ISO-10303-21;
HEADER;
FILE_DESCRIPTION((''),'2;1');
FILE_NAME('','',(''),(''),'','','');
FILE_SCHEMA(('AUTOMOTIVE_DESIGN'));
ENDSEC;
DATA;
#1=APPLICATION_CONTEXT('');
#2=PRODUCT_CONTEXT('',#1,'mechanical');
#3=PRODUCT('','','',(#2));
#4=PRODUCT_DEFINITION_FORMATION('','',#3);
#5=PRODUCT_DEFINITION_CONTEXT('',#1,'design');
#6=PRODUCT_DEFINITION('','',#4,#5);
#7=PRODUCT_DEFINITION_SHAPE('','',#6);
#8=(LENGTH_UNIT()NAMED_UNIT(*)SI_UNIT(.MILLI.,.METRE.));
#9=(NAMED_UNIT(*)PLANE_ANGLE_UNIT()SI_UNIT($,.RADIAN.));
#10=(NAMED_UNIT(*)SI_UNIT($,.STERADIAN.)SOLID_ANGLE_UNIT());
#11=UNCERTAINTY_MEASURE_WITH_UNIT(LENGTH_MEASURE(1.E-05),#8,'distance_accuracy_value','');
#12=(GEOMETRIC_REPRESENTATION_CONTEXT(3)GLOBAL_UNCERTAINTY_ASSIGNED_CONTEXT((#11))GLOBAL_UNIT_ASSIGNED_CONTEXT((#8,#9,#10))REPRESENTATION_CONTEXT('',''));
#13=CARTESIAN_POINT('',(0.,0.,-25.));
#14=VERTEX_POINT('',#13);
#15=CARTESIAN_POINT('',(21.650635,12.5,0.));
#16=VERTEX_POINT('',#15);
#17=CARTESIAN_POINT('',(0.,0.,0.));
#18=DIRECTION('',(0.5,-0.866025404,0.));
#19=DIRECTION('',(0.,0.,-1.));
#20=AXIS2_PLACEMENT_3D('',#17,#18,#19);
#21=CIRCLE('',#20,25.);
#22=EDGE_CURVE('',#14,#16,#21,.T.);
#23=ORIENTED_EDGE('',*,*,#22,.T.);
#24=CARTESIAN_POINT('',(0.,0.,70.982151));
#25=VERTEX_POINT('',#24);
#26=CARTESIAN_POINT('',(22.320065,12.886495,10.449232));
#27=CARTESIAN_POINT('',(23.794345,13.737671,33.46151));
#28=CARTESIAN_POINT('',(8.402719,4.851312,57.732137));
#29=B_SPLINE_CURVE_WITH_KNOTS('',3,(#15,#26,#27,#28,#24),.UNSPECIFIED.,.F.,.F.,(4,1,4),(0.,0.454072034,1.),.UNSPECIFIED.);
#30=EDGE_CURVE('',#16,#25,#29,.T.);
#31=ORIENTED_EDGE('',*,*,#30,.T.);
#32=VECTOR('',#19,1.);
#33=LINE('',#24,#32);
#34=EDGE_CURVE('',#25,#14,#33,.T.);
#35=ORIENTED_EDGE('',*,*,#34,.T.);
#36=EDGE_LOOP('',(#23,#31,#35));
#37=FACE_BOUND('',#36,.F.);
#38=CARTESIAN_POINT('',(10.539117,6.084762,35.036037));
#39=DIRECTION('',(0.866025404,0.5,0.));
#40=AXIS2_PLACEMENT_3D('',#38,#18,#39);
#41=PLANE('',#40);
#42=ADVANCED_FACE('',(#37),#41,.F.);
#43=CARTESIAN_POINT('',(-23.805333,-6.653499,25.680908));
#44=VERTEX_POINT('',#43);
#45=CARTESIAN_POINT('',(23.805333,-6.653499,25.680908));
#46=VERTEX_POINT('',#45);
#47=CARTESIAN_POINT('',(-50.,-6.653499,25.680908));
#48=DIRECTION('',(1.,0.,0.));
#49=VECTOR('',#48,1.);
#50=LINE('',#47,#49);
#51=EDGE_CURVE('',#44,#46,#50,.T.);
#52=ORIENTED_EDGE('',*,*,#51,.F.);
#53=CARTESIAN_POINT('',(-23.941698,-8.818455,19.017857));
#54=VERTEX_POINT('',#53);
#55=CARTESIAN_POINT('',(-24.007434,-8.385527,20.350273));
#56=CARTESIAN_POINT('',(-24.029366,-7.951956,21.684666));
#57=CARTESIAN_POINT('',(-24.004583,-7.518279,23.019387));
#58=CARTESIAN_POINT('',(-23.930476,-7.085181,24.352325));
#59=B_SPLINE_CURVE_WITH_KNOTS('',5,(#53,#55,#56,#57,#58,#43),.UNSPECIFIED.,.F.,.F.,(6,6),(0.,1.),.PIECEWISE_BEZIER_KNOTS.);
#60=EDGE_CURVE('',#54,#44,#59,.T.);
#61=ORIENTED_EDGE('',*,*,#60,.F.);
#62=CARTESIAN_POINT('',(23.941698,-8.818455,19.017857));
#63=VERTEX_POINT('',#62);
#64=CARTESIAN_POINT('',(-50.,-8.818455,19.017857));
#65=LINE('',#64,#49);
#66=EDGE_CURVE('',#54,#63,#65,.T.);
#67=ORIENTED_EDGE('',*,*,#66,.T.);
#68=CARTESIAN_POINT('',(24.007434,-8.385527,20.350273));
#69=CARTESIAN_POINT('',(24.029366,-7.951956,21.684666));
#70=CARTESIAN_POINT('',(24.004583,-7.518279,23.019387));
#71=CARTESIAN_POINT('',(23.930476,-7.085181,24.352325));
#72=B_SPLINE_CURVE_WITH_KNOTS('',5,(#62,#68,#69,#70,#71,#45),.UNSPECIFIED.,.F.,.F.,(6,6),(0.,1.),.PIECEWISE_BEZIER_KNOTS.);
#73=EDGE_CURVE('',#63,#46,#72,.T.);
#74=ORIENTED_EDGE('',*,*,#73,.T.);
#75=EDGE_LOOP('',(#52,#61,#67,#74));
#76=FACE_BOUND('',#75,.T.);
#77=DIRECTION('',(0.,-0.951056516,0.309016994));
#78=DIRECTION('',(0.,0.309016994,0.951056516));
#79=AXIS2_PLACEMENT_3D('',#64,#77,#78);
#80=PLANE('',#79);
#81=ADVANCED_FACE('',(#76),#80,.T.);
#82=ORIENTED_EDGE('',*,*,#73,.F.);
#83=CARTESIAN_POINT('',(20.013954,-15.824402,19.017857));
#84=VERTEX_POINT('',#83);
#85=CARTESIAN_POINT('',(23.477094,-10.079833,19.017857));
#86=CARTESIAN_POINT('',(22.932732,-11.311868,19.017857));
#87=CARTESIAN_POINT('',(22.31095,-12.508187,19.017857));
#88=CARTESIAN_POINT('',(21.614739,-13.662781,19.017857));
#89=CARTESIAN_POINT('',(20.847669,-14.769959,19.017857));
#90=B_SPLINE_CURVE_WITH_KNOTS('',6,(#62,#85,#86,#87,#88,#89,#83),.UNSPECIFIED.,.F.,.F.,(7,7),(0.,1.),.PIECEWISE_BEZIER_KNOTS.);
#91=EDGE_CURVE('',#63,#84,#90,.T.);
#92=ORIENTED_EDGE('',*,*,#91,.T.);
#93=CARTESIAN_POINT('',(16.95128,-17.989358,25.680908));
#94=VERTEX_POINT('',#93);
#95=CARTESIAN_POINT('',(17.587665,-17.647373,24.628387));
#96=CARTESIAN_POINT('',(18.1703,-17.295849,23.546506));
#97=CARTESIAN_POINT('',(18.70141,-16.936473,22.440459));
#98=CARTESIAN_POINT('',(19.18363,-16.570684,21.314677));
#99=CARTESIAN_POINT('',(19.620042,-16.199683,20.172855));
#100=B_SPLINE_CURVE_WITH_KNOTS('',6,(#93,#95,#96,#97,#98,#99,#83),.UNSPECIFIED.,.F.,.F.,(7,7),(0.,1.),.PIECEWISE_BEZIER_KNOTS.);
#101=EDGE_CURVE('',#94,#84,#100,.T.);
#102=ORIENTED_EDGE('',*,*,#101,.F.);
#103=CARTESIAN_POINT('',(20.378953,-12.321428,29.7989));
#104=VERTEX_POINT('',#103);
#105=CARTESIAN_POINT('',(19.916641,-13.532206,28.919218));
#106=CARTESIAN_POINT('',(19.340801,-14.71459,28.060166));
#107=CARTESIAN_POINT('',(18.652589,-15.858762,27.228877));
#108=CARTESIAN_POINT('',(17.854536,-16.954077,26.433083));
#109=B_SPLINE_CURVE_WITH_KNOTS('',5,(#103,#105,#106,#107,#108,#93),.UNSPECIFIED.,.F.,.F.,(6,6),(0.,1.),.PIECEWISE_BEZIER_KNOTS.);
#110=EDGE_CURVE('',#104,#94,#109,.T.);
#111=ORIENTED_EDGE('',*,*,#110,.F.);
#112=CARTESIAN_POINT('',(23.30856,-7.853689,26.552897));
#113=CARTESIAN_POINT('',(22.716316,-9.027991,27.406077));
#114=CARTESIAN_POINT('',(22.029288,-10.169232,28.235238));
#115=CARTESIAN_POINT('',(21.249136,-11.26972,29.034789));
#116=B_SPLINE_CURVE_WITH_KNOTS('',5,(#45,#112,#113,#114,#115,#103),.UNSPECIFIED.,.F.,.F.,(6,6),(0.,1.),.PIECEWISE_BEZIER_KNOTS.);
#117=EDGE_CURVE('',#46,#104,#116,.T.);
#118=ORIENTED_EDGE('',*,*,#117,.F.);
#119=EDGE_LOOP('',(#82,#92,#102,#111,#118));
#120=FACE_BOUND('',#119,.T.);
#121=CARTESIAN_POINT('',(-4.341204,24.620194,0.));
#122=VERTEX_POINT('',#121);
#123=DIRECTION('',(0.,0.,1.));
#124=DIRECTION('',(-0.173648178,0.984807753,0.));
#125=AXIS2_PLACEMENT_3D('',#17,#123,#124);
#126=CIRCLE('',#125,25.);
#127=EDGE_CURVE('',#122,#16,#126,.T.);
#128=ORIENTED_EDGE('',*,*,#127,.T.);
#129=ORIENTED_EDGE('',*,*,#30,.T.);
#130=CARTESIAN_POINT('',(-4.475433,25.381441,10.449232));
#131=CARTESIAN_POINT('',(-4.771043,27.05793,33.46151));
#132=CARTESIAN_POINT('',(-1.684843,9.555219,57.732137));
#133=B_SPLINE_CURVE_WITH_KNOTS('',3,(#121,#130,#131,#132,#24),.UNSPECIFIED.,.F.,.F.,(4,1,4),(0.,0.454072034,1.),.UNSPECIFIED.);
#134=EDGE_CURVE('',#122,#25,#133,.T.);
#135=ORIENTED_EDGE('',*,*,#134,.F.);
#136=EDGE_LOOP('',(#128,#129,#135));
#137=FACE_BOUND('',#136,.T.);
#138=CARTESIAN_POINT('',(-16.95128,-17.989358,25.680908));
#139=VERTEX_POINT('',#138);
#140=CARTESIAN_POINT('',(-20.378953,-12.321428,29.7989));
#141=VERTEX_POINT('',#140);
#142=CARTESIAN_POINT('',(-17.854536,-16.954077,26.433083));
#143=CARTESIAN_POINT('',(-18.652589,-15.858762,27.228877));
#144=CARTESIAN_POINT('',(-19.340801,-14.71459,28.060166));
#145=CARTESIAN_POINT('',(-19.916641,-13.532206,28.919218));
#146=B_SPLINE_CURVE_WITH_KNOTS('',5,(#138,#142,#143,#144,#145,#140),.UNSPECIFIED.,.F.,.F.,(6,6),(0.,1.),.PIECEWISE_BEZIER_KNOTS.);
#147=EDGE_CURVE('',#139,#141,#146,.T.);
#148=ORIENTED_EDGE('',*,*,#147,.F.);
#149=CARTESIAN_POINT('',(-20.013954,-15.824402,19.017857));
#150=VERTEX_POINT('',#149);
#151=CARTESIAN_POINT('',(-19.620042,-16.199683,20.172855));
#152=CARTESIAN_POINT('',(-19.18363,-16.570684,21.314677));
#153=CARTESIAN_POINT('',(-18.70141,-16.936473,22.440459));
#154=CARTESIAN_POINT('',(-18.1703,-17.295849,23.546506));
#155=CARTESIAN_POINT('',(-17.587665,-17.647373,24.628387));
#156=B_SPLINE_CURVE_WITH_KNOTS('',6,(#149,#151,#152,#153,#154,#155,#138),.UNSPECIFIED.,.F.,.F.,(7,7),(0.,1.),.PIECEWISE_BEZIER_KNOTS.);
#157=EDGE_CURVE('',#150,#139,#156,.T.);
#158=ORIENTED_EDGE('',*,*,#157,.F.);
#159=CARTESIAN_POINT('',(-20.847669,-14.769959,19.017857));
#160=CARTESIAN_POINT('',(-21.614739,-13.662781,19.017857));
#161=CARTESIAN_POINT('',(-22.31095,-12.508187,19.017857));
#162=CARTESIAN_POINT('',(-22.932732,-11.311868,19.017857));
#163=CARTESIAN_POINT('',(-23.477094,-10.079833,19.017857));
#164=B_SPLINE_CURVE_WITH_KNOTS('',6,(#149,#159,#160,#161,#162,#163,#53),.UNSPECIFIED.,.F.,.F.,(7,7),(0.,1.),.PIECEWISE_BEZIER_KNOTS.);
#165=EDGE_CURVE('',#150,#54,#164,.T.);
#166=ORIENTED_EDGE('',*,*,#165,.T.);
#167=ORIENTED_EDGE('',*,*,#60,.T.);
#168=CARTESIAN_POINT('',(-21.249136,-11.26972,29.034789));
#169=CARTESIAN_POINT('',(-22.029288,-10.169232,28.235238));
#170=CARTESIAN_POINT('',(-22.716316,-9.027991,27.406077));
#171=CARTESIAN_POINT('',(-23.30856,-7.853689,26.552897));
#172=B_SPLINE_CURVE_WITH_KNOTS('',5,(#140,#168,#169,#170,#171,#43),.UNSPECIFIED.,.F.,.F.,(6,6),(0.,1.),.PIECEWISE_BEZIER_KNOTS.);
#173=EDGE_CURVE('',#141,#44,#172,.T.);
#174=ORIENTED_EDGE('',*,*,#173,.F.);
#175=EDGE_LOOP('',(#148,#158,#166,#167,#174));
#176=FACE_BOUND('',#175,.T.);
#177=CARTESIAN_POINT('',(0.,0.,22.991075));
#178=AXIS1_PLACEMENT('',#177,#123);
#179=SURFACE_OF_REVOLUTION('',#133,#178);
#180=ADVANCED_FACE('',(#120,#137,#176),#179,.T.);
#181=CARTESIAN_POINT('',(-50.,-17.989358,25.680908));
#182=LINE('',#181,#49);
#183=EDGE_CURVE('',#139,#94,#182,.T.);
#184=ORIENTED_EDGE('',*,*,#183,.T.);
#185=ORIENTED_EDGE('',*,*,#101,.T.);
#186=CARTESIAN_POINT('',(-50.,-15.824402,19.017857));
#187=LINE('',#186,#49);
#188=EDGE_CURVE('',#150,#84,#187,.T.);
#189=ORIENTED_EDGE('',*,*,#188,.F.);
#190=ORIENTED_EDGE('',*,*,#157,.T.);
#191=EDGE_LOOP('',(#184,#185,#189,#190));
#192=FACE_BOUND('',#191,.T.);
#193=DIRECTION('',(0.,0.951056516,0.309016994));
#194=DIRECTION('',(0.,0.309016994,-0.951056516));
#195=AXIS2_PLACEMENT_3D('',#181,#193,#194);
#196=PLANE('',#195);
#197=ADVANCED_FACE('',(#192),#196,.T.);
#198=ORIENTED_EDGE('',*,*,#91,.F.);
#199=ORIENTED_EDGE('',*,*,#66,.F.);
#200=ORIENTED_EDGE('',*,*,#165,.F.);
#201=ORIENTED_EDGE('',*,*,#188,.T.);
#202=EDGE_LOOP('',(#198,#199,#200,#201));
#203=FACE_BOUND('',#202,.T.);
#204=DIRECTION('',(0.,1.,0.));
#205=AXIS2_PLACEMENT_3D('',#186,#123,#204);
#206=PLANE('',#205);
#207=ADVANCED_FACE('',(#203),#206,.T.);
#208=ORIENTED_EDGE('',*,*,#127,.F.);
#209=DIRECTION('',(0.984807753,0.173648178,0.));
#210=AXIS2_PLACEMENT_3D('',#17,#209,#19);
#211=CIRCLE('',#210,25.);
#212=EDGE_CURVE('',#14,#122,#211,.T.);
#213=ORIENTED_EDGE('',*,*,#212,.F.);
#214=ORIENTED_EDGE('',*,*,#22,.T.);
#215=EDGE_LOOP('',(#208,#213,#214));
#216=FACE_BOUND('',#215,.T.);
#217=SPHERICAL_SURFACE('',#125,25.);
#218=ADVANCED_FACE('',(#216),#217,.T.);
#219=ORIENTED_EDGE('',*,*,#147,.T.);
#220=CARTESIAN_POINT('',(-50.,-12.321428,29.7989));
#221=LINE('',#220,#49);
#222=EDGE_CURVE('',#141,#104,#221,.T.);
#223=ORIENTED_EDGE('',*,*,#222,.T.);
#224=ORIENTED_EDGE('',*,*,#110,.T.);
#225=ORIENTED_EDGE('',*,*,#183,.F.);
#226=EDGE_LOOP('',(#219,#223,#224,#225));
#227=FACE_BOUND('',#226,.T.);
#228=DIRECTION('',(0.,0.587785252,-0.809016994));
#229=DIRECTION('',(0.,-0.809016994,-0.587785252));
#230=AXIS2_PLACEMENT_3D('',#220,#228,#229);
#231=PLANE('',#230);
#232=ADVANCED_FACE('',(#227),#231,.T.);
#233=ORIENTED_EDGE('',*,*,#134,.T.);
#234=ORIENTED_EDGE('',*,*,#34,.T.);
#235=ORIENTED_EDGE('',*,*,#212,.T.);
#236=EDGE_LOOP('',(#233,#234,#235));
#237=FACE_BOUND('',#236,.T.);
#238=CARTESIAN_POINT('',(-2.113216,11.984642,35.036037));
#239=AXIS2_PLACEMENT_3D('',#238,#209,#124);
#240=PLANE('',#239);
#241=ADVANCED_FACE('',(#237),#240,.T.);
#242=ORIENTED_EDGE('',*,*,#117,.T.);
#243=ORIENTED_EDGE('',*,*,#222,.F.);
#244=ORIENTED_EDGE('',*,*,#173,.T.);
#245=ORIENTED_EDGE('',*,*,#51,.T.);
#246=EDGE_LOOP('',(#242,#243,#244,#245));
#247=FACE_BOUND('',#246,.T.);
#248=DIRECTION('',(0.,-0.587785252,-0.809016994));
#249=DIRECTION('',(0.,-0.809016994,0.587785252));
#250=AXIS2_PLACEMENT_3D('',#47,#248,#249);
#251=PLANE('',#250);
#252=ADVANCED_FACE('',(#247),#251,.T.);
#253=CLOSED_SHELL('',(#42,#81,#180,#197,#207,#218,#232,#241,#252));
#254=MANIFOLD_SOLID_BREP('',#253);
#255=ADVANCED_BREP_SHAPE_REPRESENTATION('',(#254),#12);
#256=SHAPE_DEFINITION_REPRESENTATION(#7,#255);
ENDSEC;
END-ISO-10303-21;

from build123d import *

# Parameters (mm, degrees)
F1_ANGLE_BACK = 260
F1_ANGLE      = 290
F4_DEPTH      = 80


with BuildPart() as f1:
    # F0 (on Front) → F1 (revolve)
    with BuildSketch(Plane.XZ, mode=Mode.PRIVATE) as f1_sk:
        with BuildLine():
            Line((0, 70.9821507335), (0, 25))
            ThreePointArc((0, 25), (17.6776695297, 17.6776695297), (25, 0))
            add(Edge.make_bspline(
                [(25, 0), (25.7729905135, 10.449231781), (27.4753426857, 33.4615095623), (9.7026241041, 57.7321366539), (0, 70.9821507335)],
                knots=[0, 0, 0, 0, 0.4540720341, 1, 1, 1, 1], degree=3))
        make_face()
        with BuildLine():
            Line((0, 25), (0, -25))
            ThreePointArc((0, -25), (17.6776695297, -17.6776695297), (25, 0))
            ThreePointArc((25, 0), (17.6776695297, 17.6776695297), (0, 25))
        make_face()
    revolve(f1_sk.sketch.rotate(Axis((0, 0, 22.9910753667), (0, 0, 1)), -F1_ANGLE_BACK), axis=Axis((0, 0, 22.9910753667), (0, 0, 1)), revolution_arc=F1_ANGLE)

    # F3 (on offset) → F4 (cut)
    with BuildSketch(Plane.YZ.offset(-50)):
        Polygon((-15.8244016312, 19.0178565681), (-8.8184551604, 19.0178565681), (-6.6534986392, 25.680907612), (-12.3214283958, 29.7988996259), (-17.9893581524, 25.680907612), align=None)
    extrude(amount=F4_DEPTH, mode=Mode.SUBTRACT)


solid = f1.part
